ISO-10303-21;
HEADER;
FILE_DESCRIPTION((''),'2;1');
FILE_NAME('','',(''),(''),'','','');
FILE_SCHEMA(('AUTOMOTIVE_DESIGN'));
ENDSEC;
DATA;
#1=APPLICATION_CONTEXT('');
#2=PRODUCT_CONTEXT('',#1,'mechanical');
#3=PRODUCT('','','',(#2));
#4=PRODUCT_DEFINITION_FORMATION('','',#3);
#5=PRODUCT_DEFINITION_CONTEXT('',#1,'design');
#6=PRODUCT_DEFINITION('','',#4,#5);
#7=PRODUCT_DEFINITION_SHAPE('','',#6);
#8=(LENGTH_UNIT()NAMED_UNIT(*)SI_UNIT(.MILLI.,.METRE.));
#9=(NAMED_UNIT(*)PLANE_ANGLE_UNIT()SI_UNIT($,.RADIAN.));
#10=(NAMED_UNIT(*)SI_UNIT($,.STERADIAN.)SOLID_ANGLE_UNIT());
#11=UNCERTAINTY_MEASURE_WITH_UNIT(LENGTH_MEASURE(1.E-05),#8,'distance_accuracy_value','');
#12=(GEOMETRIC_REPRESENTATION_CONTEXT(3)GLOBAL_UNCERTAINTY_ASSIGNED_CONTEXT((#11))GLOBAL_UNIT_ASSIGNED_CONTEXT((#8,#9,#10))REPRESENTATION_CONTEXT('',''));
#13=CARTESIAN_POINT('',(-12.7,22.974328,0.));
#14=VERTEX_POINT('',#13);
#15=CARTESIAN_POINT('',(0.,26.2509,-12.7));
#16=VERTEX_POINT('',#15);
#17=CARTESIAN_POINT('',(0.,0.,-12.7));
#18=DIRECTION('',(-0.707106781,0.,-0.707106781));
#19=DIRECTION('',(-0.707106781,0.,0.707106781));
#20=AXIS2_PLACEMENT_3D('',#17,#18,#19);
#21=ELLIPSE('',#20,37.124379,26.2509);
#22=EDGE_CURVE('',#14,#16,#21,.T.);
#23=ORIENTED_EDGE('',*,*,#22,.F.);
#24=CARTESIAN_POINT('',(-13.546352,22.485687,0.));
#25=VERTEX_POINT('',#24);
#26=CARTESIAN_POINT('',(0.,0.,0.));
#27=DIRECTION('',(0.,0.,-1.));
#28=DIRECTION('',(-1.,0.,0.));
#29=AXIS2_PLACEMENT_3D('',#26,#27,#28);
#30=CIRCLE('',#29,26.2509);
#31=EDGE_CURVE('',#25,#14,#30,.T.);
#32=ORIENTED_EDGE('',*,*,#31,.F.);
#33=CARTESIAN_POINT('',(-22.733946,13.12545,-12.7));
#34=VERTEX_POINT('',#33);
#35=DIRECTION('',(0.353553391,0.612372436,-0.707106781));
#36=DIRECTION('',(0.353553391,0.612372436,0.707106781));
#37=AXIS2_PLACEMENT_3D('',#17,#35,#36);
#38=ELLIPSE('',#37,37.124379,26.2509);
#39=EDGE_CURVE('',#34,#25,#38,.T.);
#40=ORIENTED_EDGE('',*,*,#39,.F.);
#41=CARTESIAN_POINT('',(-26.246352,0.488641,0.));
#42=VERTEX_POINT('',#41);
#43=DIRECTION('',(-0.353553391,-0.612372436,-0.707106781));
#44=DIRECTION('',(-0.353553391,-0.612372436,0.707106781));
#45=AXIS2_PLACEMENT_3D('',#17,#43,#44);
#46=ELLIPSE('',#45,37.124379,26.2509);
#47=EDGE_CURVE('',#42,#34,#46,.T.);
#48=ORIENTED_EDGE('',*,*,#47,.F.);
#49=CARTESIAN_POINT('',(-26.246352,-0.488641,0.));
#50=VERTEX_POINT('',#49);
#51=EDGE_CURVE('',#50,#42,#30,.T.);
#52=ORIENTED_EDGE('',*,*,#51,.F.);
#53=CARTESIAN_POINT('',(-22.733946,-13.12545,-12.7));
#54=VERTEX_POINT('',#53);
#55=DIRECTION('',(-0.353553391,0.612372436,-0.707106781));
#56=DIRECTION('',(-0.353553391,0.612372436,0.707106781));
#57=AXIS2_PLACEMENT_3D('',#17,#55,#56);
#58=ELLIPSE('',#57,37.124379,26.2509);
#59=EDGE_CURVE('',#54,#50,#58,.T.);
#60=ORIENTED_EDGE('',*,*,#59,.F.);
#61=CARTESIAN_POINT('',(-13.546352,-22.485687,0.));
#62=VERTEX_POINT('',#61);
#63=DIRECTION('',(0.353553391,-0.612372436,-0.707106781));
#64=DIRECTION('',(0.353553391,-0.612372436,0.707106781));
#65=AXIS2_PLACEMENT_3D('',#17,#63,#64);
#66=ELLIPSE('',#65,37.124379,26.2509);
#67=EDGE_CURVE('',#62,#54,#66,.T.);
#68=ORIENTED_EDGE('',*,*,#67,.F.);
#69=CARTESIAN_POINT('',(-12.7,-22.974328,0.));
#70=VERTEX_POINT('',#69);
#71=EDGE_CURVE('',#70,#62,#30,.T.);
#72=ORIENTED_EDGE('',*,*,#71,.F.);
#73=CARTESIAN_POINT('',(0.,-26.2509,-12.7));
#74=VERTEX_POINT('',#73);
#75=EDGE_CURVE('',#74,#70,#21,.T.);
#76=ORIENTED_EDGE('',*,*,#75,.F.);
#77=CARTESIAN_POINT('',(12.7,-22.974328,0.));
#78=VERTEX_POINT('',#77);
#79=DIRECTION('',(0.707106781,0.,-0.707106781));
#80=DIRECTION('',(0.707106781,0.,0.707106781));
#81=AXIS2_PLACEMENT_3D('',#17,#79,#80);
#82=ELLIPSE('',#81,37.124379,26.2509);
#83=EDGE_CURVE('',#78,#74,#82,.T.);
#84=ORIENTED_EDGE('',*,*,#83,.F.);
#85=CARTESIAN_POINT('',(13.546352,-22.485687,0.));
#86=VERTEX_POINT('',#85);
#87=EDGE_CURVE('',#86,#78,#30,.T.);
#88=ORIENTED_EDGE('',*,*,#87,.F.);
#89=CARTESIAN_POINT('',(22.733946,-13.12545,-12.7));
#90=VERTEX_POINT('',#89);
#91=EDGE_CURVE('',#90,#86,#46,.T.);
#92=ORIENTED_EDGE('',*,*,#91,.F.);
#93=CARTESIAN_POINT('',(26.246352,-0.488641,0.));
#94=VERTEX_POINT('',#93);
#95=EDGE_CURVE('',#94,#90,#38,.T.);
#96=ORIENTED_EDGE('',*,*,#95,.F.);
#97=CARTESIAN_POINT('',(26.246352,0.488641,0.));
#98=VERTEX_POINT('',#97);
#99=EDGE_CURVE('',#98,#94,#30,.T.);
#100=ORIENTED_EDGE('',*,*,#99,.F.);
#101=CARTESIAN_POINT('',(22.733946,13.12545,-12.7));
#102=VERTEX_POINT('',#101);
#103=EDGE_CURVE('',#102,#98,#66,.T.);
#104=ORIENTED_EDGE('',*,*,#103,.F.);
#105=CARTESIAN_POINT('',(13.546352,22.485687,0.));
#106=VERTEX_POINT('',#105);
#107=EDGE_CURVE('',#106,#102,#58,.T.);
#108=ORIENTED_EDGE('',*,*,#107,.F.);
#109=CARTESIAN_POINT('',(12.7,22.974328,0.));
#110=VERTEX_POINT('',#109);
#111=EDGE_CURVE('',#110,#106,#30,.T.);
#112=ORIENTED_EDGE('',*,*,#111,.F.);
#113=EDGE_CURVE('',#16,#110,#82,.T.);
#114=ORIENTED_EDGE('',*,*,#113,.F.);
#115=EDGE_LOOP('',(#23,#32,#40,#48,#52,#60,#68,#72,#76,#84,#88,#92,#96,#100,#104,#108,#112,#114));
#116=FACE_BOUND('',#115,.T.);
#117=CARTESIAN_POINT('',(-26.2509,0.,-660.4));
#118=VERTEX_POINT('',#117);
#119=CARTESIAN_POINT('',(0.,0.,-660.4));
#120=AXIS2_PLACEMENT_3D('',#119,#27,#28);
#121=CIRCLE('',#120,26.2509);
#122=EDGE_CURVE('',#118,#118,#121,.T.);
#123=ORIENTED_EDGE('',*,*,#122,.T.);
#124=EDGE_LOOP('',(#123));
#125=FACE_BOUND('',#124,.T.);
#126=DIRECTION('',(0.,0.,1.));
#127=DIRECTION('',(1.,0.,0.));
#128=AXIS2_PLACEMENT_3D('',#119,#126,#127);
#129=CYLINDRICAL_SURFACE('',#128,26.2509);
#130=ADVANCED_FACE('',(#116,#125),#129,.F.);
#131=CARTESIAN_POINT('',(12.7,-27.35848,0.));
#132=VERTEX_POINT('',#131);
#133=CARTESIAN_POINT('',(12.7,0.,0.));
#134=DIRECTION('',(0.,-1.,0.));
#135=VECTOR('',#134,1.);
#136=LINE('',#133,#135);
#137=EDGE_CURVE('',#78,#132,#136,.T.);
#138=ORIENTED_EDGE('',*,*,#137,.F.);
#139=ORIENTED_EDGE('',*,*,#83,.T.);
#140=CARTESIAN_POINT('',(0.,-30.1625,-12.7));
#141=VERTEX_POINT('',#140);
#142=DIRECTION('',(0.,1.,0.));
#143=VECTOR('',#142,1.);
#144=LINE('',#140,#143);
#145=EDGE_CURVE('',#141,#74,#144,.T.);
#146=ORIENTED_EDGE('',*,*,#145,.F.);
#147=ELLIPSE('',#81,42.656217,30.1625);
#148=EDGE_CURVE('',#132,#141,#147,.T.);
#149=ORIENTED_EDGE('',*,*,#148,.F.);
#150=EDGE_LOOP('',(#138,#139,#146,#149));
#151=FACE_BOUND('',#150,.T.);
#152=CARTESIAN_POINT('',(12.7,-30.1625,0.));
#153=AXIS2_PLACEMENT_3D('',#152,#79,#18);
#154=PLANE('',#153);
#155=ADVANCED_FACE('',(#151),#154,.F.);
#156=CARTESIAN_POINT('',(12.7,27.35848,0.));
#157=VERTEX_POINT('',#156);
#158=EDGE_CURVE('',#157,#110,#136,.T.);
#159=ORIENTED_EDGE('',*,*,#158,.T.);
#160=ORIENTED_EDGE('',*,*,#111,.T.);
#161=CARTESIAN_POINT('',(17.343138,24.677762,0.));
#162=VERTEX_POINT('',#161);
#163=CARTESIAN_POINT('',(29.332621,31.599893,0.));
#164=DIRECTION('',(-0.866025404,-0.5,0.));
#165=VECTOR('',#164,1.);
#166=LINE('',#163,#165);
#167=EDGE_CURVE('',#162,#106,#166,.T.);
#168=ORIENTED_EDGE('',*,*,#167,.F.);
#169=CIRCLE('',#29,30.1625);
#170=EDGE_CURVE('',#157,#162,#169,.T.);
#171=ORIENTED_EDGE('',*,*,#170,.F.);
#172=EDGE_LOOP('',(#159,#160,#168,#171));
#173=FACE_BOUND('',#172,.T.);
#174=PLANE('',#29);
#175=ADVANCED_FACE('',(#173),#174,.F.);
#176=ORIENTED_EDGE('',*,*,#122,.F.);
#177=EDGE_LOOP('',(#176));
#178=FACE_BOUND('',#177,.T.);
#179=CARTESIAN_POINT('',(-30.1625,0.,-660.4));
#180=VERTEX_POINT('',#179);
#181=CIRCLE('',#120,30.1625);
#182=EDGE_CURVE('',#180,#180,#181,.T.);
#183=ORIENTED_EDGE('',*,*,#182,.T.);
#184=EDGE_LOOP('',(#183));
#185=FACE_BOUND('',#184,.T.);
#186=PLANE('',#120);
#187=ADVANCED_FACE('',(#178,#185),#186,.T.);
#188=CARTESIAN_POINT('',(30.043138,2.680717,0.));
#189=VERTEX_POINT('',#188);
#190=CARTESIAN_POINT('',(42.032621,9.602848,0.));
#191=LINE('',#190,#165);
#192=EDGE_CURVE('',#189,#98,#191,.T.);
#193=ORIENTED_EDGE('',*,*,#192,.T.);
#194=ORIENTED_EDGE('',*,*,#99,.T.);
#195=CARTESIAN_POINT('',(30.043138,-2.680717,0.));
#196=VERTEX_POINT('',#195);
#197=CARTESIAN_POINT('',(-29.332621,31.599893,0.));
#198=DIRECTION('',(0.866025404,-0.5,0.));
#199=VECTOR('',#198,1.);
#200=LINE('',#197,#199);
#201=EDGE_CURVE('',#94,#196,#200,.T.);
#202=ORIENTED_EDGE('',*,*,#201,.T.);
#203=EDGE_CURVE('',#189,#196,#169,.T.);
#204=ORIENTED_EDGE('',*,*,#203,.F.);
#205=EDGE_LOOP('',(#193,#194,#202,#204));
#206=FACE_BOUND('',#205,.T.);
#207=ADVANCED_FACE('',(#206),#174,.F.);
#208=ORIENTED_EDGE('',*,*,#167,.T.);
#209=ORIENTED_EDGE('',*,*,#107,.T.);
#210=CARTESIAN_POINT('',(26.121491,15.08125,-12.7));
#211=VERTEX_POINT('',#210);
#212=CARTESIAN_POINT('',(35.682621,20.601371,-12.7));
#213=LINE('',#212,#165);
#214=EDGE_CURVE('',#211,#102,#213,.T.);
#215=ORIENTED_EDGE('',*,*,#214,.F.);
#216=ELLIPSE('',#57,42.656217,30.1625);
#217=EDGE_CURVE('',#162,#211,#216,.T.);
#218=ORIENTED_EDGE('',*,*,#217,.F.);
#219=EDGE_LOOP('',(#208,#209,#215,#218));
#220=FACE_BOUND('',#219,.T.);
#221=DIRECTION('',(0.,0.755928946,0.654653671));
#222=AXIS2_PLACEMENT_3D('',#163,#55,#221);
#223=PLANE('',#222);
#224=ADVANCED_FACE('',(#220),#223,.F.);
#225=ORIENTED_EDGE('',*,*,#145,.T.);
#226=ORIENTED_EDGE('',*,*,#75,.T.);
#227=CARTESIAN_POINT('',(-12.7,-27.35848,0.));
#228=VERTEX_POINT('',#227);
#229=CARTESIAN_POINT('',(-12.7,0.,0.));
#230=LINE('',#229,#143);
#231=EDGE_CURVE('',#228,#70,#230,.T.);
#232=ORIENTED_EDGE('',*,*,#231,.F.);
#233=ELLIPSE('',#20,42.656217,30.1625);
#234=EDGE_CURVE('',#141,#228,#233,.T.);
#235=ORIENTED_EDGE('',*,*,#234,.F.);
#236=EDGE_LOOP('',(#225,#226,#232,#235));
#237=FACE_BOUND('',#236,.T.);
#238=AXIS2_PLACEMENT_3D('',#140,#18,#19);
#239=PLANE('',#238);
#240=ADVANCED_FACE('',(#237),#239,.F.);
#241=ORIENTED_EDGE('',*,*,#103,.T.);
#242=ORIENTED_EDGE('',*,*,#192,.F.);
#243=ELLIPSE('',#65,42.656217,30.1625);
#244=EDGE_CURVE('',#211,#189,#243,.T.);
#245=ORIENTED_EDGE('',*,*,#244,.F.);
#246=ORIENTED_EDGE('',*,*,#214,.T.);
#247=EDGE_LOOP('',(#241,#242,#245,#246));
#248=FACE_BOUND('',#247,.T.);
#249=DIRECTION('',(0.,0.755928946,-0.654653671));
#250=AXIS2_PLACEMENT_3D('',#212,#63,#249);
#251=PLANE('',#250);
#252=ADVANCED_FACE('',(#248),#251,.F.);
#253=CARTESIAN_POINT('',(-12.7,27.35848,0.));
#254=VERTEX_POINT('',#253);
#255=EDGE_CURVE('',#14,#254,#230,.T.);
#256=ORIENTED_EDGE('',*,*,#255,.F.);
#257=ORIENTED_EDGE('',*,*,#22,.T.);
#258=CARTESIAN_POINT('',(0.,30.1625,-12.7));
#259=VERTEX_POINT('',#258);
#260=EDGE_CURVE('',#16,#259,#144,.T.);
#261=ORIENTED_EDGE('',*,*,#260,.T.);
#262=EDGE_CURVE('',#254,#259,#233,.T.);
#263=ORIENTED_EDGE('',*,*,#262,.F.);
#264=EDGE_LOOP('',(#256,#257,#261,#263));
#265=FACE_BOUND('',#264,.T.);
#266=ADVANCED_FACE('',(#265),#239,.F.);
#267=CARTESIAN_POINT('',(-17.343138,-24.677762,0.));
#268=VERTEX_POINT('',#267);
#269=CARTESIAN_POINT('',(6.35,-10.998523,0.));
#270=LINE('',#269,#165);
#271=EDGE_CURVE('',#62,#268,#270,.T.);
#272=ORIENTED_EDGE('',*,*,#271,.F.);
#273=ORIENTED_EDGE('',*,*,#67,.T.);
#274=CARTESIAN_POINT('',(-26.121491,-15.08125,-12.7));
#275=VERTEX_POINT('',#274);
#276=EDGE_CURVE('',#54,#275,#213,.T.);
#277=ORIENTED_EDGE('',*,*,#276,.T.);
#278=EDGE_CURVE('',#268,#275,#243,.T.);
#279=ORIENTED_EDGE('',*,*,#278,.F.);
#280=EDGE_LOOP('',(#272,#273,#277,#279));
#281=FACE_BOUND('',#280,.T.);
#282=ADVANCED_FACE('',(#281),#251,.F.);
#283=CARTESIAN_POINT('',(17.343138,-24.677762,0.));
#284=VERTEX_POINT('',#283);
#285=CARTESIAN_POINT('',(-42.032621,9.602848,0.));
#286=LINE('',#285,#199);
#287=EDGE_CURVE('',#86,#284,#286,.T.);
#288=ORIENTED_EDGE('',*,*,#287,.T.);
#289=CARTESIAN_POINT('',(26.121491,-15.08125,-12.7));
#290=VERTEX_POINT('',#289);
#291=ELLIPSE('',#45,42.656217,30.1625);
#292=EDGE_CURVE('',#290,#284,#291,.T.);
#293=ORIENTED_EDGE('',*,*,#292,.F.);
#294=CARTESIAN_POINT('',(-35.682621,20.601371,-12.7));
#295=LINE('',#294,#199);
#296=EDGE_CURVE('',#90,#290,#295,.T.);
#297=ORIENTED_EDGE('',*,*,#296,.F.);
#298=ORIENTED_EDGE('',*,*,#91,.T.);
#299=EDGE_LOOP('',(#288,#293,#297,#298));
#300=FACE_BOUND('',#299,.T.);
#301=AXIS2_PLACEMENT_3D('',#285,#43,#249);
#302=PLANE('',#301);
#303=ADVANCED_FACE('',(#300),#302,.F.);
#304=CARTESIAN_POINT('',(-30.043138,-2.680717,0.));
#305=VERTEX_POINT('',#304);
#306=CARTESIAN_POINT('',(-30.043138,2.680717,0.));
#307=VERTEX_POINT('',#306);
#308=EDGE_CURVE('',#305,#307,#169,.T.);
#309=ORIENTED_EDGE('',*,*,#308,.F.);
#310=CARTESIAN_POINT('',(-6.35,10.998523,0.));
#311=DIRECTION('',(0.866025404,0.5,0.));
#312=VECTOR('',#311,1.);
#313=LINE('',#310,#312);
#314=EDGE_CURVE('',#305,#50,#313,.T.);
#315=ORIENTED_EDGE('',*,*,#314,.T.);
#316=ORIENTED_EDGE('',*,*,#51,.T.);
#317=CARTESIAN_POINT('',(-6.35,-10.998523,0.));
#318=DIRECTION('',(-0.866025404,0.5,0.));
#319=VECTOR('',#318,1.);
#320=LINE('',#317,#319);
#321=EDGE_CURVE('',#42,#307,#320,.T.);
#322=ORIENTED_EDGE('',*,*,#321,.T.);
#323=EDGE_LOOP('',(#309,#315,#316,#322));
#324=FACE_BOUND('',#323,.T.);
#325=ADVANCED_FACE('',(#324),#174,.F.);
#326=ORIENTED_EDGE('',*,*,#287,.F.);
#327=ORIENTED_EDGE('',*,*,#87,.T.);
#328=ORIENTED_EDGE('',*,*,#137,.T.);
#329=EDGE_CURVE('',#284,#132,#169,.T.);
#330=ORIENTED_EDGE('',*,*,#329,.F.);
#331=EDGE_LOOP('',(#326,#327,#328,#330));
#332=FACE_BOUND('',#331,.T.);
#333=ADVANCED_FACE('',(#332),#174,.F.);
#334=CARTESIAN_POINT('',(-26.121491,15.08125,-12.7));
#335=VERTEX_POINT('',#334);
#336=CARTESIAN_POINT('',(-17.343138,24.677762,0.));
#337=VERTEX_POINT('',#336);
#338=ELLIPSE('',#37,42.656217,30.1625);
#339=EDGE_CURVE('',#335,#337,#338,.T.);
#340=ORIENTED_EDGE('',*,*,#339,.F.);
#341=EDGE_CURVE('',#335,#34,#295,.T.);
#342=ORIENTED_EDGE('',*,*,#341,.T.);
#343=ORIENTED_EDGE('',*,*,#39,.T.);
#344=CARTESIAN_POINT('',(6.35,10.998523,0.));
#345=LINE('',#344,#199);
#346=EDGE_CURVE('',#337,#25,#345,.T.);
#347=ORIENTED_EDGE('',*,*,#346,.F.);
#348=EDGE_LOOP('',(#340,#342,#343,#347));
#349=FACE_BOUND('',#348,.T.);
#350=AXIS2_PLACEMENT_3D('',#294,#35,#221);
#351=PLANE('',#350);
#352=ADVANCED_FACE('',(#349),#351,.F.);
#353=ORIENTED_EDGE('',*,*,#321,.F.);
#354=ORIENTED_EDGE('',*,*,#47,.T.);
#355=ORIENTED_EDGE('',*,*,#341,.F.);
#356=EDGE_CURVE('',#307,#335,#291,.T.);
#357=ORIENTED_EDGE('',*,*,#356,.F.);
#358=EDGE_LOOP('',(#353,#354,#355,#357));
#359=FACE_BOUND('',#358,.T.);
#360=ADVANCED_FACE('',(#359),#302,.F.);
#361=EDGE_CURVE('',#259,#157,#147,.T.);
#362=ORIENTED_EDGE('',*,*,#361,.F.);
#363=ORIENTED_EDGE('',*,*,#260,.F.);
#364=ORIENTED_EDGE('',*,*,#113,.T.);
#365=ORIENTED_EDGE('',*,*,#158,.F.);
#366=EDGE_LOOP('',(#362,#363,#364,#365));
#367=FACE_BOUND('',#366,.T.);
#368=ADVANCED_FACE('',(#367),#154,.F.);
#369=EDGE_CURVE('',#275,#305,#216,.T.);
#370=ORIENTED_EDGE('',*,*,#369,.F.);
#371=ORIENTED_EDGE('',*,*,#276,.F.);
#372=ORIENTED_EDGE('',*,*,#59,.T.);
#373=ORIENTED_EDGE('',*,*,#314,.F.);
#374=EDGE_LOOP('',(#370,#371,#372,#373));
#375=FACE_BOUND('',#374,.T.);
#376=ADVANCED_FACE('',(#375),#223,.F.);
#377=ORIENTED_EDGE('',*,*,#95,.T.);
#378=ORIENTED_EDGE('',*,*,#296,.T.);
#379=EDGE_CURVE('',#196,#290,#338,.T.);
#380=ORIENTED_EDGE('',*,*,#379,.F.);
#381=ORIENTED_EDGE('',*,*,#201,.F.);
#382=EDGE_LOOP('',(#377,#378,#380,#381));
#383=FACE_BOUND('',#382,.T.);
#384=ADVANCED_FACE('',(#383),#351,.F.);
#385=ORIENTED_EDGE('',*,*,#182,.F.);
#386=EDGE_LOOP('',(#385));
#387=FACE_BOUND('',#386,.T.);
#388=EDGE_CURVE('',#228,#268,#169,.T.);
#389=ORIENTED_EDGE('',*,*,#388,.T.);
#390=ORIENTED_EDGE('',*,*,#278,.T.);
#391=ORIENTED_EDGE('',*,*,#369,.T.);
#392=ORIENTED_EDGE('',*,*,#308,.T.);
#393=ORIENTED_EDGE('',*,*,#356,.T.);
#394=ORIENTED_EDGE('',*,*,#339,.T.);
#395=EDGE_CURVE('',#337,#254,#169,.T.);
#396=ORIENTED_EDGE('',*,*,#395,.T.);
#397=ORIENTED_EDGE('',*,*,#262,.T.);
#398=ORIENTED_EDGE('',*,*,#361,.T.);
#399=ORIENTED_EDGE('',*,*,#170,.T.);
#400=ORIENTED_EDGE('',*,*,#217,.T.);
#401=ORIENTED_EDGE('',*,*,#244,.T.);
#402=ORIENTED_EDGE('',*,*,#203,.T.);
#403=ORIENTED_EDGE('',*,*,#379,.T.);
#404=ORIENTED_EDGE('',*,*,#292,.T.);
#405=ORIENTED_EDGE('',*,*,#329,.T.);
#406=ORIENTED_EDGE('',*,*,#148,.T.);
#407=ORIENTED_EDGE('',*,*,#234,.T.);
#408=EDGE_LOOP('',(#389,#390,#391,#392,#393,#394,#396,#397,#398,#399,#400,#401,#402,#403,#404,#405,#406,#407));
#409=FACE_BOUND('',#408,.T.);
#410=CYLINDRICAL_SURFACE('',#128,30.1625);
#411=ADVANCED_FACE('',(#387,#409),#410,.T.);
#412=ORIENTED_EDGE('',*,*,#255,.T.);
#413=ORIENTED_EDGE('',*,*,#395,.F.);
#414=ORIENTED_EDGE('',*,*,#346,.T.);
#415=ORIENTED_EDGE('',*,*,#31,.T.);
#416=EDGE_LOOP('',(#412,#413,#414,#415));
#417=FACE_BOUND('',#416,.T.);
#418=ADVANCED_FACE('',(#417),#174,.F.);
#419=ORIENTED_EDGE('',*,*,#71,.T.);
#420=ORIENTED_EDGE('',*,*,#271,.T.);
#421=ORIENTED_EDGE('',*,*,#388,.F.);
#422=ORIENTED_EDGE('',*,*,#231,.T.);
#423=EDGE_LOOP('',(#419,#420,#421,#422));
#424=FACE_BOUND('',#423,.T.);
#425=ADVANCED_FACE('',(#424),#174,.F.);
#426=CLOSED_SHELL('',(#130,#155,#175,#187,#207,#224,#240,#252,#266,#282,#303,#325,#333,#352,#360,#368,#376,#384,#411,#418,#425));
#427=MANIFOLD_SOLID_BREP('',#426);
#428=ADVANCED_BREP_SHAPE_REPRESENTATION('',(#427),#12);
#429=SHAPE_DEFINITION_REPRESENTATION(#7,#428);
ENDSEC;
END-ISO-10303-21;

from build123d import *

# Parameters (mm, degrees)
SKETCH12_R                   = 30.1625
SKETCH12_R_2                 = 26.2509
PIPE_STANDARD_S40_P2_1_DEPTH = 660.4
CUT_EXTRUDE1_DEPTH           = 662.7761803
CUT_EXTRUDE1_DEPTH_BACK      = 662.7761803
CUT_EXTRUDE2_DEPTH           = 662.7761803
CUT_EXTRUDE2_DEPTH_BACK      = 662.7761803
CUT_EXTRUDE3_DEPTH           = 662.7761803
CUT_EXTRUDE3_DEPTH_BACK      = 662.7761803


with BuildPart() as part:
    # Sketch12 → Pipe (standard, s40) P2(1) (new body)
    with BuildSketch(Plane(origin=(0, 0, 0), x_dir=(-1, 0, 0), z_dir=(0, 0, -1))):
        Circle(SKETCH12_R)
        Circle(SKETCH12_R_2, mode=Mode.SUBTRACT)
    extrude(amount=PIPE_STANDARD_S40_P2_1_DEPTH)

    # Sketch14 → Cut-Extrude1 (cut, two sides)
    with BuildSketch(Plane(origin=(0, 0, 0), x_dir=(1, 0, 0), z_dir=(0, 1, 0))) as cut_extrude1_sk:
        Polygon((0, 12.7), (-12.7, 0), (12.7, 0), align=None)
    extrude(amount=CUT_EXTRUDE1_DEPTH, mode=Mode.SUBTRACT)
    extrude(cut_extrude1_sk.sketch, amount=-CUT_EXTRUDE1_DEPTH_BACK, mode=Mode.SUBTRACT)

    # Sketch15 → Cut-Extrude2 (cut, two sides)
    with BuildSketch(Plane(origin=(0, 0, 0), x_dir=(0, 0, -1), z_dir=(0.8660254037844364, -0.5000000000000041, 0))) as cut_extrude2_sk:
        Polygon((0, 12.7), (0, -12.7), (12.7, 0), align=None)
    extrude(amount=CUT_EXTRUDE2_DEPTH, mode=Mode.SUBTRACT)
    extrude(cut_extrude2_sk.sketch, amount=-CUT_EXTRUDE2_DEPTH_BACK, mode=Mode.SUBTRACT)

    # Sketch16 → Cut-Extrude3 (cut, two sides)
    with BuildSketch(Plane(origin=(0, 0, 0), x_dir=(0, 0, -1), z_dir=(-0.8660254037844433, -0.49999999999999195, 0))) as cut_extrude3_sk:
        Polygon((0, 12.7), (0, -12.7), (12.7, 0), align=None)
    extrude(amount=CUT_EXTRUDE3_DEPTH, mode=Mode.SUBTRACT)
    extrude(cut_extrude3_sk.sketch, amount=-CUT_EXTRUDE3_DEPTH_BACK, mode=Mode.SUBTRACT)


solid = part.part
